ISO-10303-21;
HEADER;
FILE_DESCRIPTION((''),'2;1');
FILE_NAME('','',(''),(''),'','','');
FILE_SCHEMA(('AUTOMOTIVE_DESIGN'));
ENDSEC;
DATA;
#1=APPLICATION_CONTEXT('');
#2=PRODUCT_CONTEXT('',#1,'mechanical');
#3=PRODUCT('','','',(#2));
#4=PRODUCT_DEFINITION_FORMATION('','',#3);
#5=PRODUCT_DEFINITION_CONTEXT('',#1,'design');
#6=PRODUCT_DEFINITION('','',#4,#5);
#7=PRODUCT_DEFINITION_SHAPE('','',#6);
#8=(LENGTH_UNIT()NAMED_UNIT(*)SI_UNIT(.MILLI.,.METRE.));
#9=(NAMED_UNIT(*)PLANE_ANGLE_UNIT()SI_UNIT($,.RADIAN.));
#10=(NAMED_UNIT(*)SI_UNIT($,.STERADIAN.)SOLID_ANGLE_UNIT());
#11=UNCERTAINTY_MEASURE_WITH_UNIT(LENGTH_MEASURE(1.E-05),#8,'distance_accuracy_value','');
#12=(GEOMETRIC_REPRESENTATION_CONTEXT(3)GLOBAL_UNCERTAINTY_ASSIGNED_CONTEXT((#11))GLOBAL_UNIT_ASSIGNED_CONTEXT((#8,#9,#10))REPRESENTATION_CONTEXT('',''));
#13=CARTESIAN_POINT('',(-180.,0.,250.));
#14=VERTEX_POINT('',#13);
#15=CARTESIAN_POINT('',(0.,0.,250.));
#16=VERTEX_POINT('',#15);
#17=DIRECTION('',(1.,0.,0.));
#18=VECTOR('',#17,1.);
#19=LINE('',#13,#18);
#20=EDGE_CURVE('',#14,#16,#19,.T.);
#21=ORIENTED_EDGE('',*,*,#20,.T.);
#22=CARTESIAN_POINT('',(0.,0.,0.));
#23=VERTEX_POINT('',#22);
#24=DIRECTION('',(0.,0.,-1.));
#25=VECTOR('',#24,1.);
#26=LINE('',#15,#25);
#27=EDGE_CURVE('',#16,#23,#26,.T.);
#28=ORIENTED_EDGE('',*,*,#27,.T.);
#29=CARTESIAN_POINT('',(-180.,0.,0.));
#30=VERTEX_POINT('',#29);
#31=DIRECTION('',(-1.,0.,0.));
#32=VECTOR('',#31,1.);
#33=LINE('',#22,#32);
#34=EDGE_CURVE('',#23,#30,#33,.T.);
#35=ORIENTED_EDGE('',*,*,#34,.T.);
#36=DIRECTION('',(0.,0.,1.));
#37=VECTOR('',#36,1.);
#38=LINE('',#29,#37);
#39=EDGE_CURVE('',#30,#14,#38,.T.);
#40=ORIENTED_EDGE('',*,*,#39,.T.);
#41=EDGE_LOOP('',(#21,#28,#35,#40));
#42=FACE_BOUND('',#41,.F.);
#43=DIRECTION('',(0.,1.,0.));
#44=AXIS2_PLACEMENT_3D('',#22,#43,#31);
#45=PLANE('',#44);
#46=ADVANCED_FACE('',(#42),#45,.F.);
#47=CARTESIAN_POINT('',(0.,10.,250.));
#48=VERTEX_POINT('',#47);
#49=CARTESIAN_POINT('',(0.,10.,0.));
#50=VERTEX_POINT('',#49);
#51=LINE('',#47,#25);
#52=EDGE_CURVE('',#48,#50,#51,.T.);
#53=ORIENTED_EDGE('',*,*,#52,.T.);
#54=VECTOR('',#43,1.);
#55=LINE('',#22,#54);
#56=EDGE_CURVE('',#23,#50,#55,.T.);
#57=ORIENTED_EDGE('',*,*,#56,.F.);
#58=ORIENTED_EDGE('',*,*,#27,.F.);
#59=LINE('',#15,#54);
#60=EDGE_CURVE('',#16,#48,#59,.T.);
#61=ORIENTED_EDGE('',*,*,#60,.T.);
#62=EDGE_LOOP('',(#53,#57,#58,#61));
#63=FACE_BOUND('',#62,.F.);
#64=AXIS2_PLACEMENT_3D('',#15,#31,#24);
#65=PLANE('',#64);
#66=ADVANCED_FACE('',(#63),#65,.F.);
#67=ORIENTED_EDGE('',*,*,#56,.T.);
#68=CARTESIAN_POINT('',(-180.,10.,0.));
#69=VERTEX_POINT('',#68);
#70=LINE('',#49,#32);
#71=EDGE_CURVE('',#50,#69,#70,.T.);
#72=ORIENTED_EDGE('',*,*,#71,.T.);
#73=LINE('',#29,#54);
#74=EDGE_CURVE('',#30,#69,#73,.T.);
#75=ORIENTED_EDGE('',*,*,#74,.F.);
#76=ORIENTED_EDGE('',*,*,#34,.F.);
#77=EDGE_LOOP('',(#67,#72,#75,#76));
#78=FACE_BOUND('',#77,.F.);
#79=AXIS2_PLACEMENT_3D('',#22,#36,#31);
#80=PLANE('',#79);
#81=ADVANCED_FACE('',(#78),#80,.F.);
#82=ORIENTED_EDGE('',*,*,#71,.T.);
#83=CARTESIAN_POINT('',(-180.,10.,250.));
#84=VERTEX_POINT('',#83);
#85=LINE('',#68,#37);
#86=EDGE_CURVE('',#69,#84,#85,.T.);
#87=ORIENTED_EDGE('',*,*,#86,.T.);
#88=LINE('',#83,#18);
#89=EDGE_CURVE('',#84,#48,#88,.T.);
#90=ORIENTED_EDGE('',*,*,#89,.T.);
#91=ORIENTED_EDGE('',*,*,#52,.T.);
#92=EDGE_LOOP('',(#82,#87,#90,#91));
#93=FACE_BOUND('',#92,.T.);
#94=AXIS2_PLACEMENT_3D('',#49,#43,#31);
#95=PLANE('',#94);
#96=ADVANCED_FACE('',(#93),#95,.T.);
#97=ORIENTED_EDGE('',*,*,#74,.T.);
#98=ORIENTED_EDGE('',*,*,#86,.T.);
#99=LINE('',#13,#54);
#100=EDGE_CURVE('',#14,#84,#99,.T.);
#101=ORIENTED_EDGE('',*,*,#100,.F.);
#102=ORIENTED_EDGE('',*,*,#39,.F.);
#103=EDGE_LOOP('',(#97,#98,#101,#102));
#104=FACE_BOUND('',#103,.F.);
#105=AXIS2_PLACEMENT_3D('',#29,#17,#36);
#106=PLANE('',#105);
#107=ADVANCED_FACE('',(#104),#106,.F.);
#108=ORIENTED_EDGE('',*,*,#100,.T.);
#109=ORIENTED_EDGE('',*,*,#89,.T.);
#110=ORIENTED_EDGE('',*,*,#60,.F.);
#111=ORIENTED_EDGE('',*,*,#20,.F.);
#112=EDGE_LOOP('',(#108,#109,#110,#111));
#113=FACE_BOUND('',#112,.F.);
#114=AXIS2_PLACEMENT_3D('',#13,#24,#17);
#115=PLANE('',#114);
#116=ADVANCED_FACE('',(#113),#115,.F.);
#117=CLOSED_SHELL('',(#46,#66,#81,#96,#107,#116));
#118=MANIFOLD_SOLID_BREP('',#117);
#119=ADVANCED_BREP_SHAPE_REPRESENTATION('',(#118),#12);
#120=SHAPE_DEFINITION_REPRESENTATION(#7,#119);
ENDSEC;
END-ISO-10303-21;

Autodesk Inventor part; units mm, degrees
ref_plane "YZ Plane" through (0, 0, 0) normal (1, 0, 0) x (0, 1, 0)
ref_plane "XZ Plane" through (0, 0, 0) normal (0, 1, 0) x (-1, 0, 0)
ref_plane "XY Plane" through (0, 0, 0) normal (0, 0, 1) x (1, 0, 0)
sketch "Sketch1" plane through (0, 0, 0) normal (0, 1, 0) x (-1, 0, 0)
  line L0 (0, 0) -> (180, 0)
  line L1 (180, 0) -> (180, 250)
  line L2 (180, 250) -> (0, 250)
  line L3 (0, 250) -> (0, 0)
  dimension "d1" = 250
  dimension "d2" = 180
extrude "Extrusion1" add sketch "Sketch1" along normal blind 10
properties part number "guardplate"
